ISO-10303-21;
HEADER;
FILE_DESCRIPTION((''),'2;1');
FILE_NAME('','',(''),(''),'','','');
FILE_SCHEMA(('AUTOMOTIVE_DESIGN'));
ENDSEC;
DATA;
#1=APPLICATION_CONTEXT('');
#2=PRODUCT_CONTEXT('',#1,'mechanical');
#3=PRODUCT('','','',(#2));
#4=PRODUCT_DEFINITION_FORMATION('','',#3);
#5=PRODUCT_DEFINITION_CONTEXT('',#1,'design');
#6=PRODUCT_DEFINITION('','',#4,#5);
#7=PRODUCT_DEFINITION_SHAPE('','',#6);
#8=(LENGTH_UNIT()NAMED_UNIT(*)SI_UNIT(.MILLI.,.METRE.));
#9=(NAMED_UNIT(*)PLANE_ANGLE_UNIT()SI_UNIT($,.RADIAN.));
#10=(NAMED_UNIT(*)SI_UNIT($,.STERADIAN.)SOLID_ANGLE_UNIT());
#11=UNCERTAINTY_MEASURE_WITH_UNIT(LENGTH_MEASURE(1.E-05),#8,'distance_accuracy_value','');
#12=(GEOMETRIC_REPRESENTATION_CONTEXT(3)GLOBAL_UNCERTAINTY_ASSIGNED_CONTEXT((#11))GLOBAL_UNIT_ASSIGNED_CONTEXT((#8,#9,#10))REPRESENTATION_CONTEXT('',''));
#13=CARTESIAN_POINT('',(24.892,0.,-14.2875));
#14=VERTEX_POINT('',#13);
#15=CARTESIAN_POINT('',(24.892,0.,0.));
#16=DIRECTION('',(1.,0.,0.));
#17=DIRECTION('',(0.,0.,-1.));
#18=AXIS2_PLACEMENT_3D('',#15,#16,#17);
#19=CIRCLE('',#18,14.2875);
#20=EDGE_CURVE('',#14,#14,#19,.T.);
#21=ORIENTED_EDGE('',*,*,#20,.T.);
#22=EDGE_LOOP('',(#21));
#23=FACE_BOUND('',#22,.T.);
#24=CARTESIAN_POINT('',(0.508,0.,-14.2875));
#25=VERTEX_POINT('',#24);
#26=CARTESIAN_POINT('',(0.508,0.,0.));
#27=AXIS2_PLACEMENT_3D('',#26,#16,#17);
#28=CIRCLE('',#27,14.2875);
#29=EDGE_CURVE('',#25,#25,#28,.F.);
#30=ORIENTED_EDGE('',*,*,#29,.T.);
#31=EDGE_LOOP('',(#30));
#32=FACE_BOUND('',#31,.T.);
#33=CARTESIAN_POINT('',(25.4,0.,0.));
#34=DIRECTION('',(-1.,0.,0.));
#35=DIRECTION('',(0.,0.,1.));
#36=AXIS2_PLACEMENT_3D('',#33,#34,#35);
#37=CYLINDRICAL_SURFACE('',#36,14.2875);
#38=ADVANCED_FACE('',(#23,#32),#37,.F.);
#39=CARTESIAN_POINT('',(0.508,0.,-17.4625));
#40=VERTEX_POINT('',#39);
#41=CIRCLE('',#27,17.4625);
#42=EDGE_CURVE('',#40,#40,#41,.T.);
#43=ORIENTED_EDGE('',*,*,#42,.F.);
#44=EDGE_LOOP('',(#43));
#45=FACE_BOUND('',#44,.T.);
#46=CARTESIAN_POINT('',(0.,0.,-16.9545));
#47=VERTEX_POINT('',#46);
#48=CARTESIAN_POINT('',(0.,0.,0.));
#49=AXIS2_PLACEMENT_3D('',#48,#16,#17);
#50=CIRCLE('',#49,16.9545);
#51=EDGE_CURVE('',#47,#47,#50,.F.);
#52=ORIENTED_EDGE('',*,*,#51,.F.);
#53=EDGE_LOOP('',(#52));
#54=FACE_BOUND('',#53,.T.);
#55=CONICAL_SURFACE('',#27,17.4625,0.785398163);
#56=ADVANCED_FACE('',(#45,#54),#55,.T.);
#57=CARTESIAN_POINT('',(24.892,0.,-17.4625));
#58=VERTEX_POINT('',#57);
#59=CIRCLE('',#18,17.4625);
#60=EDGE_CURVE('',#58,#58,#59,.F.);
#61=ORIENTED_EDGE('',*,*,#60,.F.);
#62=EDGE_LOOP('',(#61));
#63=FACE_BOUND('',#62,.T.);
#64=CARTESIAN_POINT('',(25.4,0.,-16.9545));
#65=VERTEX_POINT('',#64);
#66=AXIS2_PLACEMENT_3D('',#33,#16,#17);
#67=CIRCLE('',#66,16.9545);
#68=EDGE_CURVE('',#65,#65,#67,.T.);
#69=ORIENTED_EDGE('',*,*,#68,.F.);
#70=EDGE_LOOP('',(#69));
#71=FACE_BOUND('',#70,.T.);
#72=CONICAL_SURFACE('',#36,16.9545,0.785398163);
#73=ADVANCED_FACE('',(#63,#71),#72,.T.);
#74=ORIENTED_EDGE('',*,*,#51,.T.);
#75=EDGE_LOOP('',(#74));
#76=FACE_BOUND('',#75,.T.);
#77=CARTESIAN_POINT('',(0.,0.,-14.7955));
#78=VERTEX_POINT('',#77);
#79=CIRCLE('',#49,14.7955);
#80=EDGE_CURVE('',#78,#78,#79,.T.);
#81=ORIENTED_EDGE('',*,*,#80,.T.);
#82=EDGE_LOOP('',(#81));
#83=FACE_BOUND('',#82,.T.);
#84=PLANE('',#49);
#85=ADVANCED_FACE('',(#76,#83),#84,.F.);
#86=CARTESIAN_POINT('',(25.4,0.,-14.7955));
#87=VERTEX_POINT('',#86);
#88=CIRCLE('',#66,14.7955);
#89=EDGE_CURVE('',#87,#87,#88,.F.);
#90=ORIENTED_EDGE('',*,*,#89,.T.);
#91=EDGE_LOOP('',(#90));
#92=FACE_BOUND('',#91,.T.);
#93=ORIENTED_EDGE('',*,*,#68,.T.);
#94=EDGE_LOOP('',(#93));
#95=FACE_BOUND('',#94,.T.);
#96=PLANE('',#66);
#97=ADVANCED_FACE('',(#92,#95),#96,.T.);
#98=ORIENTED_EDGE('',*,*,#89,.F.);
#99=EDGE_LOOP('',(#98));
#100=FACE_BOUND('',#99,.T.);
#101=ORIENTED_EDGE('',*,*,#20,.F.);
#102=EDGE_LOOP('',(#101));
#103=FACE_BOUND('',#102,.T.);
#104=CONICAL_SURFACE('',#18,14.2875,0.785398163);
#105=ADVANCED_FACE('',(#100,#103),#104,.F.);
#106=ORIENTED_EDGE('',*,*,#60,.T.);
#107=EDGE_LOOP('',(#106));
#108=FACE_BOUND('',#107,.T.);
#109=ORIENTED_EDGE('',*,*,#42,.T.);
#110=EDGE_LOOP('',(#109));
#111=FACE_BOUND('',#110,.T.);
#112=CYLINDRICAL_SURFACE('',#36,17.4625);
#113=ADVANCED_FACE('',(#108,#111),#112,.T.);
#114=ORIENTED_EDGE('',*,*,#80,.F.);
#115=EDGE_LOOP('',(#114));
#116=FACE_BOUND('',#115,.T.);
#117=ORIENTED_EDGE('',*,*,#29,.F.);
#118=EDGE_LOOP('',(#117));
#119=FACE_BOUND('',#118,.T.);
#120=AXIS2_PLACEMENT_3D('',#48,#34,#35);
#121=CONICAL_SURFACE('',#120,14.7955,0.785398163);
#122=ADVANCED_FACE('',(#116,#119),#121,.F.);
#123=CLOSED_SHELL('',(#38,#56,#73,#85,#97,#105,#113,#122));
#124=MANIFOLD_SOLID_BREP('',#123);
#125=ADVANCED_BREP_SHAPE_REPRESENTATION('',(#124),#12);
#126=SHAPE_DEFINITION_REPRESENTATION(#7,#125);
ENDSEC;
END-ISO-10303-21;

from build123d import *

# Parameters (mm, degrees)
SKETCH1_R           = 17.4625
SKETCH1_R_2         = 14.2875
BOSS_EXTRUDE1_DEPTH = 25.4
CHAMFER1_SIZE       = 0.508


with BuildPart() as part:
    # Sketch1 → Boss-Extrude1 (new body)
    with BuildSketch(Plane(origin=(0, 0, 0), x_dir=(0, 0, -1), z_dir=(1, 0, 0))):
        Circle(SKETCH1_R)
        Circle(SKETCH1_R_2, mode=Mode.SUBTRACT)
    extrude(amount=BOSS_EXTRUDE1_DEPTH)

    # Chamfer1
    chamfer1_edges = [part.edges().sort_by_distance(p)[0] for p in [
        (0, 0, 17.4625),
        (25.4, 0, 17.4625),
        (0, 0, 14.2875),
        (25.4, 0, 14.2875),
    ]]
    chamfer(chamfer1_edges, length=CHAMFER1_SIZE)


solid = part.part
